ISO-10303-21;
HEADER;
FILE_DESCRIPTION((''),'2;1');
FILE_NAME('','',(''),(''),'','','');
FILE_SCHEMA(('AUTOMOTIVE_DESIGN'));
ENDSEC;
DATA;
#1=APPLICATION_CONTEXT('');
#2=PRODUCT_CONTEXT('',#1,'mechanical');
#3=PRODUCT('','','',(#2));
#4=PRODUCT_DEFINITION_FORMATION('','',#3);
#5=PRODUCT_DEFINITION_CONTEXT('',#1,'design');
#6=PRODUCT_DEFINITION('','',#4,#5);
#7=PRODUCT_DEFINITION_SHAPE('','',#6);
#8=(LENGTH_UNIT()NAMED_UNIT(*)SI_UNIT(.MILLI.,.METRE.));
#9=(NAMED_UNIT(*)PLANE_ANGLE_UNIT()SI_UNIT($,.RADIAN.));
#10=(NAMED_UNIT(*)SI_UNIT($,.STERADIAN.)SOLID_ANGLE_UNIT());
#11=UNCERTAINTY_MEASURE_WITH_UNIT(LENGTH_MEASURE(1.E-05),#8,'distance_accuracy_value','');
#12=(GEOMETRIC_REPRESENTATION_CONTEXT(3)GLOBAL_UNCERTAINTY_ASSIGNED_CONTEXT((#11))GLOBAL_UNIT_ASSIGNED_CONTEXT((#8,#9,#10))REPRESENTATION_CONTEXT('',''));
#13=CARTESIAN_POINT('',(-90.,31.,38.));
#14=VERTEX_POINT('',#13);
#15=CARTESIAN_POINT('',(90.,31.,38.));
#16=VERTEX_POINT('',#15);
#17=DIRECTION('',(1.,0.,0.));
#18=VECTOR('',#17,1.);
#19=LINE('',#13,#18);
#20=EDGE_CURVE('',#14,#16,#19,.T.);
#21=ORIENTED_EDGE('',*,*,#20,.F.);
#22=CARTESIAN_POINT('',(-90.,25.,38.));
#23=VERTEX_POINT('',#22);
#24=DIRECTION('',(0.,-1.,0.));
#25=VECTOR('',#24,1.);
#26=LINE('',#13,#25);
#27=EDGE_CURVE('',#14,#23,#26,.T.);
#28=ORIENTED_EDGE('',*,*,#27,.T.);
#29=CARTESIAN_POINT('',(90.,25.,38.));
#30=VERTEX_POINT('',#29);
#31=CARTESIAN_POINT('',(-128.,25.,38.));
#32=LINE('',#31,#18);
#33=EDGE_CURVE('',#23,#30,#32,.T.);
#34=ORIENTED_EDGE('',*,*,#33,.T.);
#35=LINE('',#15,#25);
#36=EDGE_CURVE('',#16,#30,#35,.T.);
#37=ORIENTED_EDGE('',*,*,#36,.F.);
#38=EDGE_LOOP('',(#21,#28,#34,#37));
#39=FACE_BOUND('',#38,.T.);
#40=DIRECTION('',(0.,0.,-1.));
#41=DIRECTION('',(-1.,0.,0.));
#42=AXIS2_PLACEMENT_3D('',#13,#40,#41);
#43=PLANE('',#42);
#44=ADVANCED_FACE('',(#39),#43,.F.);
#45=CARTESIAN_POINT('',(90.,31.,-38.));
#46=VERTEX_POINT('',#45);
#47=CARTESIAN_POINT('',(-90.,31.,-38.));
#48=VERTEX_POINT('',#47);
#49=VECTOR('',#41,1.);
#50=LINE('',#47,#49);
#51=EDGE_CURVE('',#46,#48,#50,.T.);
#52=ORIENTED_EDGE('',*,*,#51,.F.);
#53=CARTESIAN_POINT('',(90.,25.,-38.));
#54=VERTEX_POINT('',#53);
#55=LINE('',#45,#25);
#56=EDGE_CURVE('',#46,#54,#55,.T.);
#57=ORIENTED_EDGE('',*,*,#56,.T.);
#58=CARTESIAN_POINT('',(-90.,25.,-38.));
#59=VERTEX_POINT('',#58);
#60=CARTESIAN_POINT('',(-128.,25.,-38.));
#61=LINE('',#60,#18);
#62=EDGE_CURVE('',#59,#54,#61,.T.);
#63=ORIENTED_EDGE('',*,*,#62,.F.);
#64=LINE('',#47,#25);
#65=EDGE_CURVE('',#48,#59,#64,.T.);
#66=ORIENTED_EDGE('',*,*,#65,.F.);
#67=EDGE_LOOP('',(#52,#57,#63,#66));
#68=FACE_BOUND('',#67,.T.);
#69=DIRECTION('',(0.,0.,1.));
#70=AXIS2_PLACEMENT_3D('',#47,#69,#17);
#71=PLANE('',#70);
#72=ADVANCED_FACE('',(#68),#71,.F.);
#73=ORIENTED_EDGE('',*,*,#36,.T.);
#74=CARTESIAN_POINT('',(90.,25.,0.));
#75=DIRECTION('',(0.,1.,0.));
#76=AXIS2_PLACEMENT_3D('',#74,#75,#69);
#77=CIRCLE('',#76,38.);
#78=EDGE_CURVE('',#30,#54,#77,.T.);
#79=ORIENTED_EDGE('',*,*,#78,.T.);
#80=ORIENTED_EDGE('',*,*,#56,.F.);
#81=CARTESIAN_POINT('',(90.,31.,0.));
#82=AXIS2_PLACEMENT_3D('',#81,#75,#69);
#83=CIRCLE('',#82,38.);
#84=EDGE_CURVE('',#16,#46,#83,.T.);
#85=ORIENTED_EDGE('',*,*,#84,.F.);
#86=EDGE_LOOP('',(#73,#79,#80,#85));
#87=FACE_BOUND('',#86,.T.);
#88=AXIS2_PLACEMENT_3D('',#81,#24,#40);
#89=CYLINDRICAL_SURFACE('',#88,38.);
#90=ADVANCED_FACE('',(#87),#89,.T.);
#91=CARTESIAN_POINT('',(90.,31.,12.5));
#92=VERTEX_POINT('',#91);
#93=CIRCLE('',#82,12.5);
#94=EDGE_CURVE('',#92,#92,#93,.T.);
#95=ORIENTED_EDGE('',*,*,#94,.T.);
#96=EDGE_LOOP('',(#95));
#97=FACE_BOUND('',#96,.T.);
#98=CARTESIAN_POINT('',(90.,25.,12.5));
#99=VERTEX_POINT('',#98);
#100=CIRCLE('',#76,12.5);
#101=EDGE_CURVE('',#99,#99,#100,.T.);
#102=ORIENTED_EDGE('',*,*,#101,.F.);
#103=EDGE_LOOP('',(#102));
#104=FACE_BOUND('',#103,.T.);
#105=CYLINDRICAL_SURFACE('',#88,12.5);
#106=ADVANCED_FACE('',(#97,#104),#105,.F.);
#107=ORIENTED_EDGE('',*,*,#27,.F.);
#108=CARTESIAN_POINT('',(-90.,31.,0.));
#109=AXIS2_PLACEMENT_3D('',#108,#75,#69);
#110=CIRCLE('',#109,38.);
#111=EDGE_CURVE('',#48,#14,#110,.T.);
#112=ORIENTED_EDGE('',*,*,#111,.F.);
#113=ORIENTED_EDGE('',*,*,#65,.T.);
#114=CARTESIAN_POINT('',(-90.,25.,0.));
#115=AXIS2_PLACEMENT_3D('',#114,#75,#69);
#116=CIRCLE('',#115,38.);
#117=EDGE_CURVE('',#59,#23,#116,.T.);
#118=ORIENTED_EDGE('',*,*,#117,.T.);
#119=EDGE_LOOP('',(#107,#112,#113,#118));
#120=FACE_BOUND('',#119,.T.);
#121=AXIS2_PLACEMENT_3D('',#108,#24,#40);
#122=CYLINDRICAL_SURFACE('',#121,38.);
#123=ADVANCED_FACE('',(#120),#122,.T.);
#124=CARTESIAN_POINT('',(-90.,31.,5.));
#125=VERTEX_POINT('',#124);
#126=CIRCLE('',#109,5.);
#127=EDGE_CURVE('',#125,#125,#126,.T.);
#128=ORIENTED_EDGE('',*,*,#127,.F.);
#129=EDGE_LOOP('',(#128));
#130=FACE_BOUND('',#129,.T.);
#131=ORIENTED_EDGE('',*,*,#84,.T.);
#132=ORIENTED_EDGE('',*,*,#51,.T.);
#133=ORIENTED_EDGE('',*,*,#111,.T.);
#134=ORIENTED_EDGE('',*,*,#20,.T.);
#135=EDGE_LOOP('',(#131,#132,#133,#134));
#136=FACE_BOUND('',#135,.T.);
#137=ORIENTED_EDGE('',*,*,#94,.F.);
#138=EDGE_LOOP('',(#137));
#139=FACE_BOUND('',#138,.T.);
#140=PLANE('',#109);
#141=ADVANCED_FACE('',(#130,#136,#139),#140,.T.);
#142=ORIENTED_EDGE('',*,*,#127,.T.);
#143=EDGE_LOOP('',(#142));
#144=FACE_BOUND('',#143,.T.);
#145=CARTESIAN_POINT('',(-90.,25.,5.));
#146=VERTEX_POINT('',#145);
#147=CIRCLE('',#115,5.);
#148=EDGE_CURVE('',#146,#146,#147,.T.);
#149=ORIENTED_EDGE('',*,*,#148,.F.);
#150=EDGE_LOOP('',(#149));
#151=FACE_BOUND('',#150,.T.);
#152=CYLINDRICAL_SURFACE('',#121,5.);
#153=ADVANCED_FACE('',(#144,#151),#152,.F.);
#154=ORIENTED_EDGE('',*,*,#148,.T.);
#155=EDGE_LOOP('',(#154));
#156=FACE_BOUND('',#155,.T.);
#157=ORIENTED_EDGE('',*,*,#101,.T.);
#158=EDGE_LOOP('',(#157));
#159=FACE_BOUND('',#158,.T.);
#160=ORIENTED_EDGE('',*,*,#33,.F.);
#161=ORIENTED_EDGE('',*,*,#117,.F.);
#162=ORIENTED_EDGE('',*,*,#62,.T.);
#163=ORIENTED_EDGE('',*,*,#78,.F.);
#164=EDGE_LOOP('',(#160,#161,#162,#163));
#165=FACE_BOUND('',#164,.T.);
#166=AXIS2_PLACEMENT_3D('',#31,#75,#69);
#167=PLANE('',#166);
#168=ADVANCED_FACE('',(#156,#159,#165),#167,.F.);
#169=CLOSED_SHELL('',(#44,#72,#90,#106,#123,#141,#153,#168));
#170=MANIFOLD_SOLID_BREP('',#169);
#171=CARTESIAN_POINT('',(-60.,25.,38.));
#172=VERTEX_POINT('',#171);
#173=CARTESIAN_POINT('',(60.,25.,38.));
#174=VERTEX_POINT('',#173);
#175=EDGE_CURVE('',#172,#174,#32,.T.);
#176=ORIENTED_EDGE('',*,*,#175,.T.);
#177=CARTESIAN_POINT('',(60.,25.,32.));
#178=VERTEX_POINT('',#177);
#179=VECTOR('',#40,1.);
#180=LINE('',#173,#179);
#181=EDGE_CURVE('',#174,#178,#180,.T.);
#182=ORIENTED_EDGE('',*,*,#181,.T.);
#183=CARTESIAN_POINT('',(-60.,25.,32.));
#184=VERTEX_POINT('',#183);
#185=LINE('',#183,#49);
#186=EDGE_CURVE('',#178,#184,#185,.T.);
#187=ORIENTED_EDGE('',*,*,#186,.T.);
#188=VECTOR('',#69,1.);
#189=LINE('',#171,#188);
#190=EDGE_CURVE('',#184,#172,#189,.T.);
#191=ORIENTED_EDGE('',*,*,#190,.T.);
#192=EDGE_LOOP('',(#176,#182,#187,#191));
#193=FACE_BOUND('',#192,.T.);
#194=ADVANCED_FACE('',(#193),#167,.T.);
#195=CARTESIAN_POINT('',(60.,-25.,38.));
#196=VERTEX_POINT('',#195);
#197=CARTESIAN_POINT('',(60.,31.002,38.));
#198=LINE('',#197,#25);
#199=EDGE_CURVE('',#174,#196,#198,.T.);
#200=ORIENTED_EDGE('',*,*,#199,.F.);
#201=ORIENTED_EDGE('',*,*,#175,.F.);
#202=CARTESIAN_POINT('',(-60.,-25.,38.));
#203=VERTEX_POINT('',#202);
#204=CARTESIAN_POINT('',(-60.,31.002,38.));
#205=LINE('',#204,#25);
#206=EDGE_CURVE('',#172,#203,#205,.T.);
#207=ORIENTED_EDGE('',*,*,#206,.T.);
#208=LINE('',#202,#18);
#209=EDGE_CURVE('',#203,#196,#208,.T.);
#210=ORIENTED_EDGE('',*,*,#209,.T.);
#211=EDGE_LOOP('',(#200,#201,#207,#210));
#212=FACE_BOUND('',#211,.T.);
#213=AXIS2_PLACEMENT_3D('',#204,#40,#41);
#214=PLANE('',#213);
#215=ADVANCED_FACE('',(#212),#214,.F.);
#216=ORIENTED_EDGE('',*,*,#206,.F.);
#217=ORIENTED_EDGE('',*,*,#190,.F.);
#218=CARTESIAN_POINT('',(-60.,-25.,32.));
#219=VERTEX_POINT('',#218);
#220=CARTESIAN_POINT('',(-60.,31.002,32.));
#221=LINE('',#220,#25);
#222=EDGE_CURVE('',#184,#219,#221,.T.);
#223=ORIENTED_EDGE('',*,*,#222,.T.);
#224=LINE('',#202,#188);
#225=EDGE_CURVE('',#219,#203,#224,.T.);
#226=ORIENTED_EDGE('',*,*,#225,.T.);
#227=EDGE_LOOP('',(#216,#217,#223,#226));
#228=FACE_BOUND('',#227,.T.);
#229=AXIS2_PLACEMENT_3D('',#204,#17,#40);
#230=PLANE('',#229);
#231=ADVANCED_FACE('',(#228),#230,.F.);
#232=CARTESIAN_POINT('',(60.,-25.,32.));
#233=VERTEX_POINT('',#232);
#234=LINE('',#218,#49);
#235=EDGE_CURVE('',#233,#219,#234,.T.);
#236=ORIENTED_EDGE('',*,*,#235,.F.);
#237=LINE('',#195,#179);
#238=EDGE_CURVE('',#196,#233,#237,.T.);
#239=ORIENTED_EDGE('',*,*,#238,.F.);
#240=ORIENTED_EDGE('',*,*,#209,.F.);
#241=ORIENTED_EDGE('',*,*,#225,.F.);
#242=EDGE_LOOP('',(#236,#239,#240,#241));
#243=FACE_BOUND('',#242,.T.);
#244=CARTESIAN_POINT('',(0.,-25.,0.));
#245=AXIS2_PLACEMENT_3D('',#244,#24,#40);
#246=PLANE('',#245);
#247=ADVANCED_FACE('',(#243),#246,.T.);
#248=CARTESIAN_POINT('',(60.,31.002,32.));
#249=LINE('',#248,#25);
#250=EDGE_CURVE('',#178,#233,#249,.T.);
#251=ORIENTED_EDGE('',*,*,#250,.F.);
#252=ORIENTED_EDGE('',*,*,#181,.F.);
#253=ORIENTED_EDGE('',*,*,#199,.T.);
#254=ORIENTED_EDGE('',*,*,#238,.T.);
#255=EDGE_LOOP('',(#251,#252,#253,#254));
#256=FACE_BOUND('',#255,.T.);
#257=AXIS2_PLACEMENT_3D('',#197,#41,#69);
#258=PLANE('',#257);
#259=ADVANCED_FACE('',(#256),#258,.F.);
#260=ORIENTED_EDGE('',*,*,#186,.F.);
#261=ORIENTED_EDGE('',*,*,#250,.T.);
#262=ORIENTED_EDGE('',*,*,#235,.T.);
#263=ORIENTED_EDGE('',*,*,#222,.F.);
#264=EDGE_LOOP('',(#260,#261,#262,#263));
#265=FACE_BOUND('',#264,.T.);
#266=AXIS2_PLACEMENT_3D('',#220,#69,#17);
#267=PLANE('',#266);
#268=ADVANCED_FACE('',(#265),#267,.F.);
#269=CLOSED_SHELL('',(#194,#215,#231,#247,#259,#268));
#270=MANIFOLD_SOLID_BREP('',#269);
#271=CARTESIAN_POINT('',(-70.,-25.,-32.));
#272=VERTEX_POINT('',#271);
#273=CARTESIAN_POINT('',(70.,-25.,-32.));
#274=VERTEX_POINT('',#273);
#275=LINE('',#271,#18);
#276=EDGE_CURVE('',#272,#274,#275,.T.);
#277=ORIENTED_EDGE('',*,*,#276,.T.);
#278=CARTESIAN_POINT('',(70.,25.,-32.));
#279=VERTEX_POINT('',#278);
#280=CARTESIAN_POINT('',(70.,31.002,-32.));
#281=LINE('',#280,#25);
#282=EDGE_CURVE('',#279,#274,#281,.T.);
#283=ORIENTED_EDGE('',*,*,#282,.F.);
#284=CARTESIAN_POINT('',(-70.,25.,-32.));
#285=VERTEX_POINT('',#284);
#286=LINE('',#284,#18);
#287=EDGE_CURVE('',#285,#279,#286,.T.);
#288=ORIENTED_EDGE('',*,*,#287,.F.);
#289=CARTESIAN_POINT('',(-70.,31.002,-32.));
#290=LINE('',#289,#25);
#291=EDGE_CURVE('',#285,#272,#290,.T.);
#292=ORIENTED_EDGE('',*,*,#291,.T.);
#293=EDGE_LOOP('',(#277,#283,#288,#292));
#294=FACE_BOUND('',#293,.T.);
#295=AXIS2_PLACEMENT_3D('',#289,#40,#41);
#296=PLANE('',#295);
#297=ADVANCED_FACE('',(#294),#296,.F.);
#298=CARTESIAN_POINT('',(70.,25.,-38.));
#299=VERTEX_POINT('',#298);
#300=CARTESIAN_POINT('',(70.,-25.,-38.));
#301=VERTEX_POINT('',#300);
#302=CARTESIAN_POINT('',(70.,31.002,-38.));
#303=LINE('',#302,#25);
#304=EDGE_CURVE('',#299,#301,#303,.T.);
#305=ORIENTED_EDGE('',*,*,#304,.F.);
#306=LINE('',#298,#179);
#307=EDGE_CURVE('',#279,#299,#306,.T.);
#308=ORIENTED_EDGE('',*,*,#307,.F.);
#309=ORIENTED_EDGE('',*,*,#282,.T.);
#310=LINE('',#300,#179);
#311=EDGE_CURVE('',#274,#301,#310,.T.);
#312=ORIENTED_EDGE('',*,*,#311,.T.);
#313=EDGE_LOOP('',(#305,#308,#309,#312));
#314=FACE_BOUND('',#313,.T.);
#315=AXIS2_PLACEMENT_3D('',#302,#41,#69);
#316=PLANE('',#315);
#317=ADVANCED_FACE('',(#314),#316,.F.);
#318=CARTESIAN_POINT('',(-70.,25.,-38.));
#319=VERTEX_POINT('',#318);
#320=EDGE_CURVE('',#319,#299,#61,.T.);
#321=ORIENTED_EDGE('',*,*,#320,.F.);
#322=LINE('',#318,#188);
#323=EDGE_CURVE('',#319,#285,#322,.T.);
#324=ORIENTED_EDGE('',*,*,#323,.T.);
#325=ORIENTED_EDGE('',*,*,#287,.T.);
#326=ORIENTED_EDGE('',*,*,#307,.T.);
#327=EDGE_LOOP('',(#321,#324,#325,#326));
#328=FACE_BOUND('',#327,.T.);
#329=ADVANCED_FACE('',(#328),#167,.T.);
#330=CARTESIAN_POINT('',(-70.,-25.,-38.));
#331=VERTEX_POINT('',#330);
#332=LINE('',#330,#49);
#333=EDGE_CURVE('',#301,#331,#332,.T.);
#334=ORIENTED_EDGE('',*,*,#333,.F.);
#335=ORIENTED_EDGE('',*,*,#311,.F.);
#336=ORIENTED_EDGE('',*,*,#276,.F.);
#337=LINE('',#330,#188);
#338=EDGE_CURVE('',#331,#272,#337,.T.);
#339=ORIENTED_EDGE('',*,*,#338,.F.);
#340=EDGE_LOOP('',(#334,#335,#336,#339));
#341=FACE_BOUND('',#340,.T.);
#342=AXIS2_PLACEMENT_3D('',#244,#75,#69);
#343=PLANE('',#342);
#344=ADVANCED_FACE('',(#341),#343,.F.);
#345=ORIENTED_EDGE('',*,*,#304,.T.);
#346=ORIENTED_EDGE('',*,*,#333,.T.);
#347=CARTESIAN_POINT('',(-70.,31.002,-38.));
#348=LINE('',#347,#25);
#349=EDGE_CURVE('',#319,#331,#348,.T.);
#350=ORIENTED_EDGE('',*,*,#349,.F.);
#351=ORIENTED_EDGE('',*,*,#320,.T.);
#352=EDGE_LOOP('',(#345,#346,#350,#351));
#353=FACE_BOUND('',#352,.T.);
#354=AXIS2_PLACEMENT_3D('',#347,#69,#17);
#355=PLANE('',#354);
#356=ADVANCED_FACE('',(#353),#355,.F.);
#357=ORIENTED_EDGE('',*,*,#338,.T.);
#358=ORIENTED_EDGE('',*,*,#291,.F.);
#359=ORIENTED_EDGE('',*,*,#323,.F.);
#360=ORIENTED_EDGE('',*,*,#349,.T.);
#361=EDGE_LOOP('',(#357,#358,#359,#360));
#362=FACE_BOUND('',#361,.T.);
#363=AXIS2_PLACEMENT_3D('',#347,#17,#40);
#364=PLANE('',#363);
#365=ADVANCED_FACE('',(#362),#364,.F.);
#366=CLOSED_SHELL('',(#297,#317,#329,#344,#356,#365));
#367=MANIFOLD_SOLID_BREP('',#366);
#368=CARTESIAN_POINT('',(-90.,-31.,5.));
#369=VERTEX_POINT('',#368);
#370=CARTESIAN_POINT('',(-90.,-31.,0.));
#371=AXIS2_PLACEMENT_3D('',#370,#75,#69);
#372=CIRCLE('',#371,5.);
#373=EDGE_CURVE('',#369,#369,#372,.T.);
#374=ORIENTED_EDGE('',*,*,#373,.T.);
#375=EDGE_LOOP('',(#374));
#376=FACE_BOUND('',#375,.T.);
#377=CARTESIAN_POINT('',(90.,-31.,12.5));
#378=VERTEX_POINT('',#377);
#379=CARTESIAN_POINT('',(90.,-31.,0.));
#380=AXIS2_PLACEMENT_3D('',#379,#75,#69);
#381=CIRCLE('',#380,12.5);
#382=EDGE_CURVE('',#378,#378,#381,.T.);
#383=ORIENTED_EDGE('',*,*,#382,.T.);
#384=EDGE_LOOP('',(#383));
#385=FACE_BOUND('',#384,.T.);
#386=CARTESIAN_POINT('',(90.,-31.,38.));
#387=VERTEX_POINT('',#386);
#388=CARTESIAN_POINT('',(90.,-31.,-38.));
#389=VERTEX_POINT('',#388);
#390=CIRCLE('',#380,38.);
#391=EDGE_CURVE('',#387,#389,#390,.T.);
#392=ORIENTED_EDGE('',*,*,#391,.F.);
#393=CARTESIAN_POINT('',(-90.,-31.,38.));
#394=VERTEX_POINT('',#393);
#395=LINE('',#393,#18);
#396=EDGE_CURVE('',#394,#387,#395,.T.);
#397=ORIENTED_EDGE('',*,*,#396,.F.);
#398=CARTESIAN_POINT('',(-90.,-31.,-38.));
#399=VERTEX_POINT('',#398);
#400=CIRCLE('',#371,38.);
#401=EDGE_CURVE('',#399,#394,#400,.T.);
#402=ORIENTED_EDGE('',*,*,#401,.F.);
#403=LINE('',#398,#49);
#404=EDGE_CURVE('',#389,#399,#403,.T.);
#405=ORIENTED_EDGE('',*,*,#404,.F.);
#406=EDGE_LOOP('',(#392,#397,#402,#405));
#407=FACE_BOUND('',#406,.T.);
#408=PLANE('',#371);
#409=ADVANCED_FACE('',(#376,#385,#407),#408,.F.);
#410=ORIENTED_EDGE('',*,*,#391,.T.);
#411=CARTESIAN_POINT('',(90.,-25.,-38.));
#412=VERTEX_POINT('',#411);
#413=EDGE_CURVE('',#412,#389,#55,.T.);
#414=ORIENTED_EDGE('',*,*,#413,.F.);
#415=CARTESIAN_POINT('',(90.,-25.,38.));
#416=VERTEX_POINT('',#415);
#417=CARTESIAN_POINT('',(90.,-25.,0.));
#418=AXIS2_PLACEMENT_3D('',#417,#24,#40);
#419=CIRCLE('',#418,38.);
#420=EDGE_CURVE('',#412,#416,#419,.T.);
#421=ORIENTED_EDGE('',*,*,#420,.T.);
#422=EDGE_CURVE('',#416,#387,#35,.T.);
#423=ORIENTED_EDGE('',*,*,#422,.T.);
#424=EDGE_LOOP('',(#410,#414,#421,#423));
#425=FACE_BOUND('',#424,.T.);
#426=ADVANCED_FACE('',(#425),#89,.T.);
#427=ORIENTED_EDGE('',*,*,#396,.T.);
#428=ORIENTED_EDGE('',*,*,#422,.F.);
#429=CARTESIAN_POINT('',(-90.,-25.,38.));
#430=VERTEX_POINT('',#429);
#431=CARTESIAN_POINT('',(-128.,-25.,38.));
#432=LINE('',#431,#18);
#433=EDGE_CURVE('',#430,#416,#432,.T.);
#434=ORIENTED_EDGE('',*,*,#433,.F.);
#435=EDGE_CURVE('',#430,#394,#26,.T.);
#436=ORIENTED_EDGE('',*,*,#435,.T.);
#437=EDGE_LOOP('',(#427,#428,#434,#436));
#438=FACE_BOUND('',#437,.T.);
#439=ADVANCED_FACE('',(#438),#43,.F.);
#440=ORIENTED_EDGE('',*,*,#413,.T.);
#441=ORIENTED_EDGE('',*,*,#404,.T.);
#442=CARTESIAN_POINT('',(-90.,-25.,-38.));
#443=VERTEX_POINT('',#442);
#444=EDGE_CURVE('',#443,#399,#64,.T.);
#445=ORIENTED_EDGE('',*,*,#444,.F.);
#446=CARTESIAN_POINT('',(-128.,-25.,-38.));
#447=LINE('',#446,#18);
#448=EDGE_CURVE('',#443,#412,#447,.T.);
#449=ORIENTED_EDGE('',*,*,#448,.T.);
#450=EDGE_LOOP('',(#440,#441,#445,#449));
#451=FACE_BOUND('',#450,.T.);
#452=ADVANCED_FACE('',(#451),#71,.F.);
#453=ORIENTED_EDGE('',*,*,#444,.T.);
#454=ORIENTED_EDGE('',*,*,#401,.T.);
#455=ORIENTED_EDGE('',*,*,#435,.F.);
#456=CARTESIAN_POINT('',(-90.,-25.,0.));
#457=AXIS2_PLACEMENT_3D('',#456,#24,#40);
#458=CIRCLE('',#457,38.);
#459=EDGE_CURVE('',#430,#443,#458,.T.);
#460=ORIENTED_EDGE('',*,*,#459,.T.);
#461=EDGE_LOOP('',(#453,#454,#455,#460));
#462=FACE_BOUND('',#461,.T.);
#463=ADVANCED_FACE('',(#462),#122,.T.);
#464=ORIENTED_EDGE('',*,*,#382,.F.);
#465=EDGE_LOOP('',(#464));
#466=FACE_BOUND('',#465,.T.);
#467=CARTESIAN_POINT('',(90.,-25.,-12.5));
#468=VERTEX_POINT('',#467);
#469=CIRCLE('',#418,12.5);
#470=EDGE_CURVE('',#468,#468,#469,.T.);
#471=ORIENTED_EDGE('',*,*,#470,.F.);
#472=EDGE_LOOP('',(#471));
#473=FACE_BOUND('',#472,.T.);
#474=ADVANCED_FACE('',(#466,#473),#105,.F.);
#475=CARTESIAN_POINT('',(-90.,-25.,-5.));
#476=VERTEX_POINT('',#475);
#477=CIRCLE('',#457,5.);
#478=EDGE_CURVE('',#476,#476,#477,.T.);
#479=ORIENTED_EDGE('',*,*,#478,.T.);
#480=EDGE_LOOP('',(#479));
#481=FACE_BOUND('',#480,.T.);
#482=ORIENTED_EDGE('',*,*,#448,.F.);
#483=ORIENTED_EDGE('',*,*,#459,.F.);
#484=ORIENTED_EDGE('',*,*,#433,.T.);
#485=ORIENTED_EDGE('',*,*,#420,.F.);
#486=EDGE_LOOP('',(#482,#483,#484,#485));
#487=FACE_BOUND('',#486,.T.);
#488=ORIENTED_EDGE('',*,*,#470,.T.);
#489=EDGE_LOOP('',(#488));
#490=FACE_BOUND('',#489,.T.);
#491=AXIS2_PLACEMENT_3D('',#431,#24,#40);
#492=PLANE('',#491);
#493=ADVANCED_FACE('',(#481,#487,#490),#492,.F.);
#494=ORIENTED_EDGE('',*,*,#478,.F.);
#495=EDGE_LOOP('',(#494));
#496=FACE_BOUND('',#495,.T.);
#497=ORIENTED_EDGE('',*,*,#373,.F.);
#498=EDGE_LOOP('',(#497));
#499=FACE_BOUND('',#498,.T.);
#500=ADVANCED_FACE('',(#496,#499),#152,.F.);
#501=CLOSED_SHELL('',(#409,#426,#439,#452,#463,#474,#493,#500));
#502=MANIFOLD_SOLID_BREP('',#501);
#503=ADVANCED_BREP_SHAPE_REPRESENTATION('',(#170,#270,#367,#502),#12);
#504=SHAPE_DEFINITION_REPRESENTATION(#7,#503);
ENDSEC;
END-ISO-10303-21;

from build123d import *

# Parameters (mm, degrees)
SKETCH2_R               = 12.5
SKETCH2_R_2             = 5
BOSS_EXTRUDE1_DEPTH     = 31
CUT_EXTRUDE1_DEPTH      = 138.072973266
CUT_EXTRUDE1_DEPTH_BACK = 138.072973266
SKETCH3_W               = 76
SKETCH3_H               = 50
BOSS_EXTRUDE2_REACH     = 146.79
SKETCH4_W               = 140
SKETCH4_H               = 6
SKETCH4_W_2             = 120


with BuildPart() as part:
    # Sketch2 → Boss-Extrude1 (new, symmetric)
    with BuildSketch(Plane(origin=(0, 0, 0), x_dir=(1, 0, 0), z_dir=(0, 1, 0))):
        with BuildLine():
            Line((-90, 38), (90, 38))
            ThreePointArc((90, 38), (128, 0), (90, -38))
            Line((90, -38), (-90, -38))
            ThreePointArc((-90, -38), (-128, 0), (-90, 38))
        make_face()
        with Locations(Location((90, 0, 0), (0, 0, 270))):
            Circle(SKETCH2_R, mode=Mode.SUBTRACT)
        with Locations(Location((-90, 0, 0), (0, 0, 270))):
            Circle(SKETCH2_R_2, mode=Mode.SUBTRACT)
    extrude(amount=BOSS_EXTRUDE1_DEPTH, both=True)

    # Sketch3 → Cut-Extrude1 (cut, two sides: drawn at the far end of the back side and taken through both)
    with BuildSketch(Plane(origin=(0, 0, 0), x_dir=(0, 0, -1), z_dir=(1, 0, 0)).offset(-CUT_EXTRUDE1_DEPTH_BACK)):
        Rectangle(SKETCH3_W, SKETCH3_H)
    extrude(amount=CUT_EXTRUDE1_DEPTH + CUT_EXTRUDE1_DEPTH_BACK, mode=Mode.SUBTRACT)


with BuildPart() as cut_extrude1_piece_1:
    # of the separate pieces the step leaves, piece 1, a body of its own (cut_extrude1_pieces)
    add(part.part.solids().sort_by_distance((-90, 25, -38))[0])


with BuildPart() as cut_extrude1_piece_2:
    # of the separate pieces the step leaves, piece 2, a body of its own (cut_extrude1_pieces)
    add(part.part.solids().sort_by_distance((-90, -31, -38))[0])


with BuildPart() as body_3:

    # Sketch4 → Boss-Extrude2 (new, up to next)
    with BuildSketch(Plane(origin=(0, -25, 0), x_dir=(1, 0, 0), z_dir=(0, 1, 0)), mode=Mode.PRIVATE) as boss_extrude2_sk1:
        with Locations((0, 35)):
            Rectangle(SKETCH4_W, SKETCH4_H)
    boss_extrude2_tool1 = extrude(boss_extrude2_sk1.sketch, amount=BOSS_EXTRUDE2_REACH, mode=Mode.PRIVATE) - cut_extrude1_piece_1.part
    # Sketch4 → Boss-Extrude2 (new, up to next)
    with BuildSketch(Plane(origin=(0, -25, 0), x_dir=(1, 0, 0), z_dir=(0, 1, 0)), mode=Mode.PRIVATE) as boss_extrude2_sk2:
        with Locations((0, -35)):
            Rectangle(SKETCH4_W_2, SKETCH4_H)
    boss_extrude2_tool2 = extrude(boss_extrude2_sk2.sketch, amount=BOSS_EXTRUDE2_REACH, mode=Mode.PRIVATE) - cut_extrude1_piece_1.part
    add(boss_extrude2_tool1.solids().sort_by_distance((0, -25, -35))[0])
    add(boss_extrude2_tool2.solids().sort_by_distance((0, -25, 35))[0])


solid = Compound([cut_extrude1_piece_1.part, cut_extrude1_piece_2.part, body_3.part])
